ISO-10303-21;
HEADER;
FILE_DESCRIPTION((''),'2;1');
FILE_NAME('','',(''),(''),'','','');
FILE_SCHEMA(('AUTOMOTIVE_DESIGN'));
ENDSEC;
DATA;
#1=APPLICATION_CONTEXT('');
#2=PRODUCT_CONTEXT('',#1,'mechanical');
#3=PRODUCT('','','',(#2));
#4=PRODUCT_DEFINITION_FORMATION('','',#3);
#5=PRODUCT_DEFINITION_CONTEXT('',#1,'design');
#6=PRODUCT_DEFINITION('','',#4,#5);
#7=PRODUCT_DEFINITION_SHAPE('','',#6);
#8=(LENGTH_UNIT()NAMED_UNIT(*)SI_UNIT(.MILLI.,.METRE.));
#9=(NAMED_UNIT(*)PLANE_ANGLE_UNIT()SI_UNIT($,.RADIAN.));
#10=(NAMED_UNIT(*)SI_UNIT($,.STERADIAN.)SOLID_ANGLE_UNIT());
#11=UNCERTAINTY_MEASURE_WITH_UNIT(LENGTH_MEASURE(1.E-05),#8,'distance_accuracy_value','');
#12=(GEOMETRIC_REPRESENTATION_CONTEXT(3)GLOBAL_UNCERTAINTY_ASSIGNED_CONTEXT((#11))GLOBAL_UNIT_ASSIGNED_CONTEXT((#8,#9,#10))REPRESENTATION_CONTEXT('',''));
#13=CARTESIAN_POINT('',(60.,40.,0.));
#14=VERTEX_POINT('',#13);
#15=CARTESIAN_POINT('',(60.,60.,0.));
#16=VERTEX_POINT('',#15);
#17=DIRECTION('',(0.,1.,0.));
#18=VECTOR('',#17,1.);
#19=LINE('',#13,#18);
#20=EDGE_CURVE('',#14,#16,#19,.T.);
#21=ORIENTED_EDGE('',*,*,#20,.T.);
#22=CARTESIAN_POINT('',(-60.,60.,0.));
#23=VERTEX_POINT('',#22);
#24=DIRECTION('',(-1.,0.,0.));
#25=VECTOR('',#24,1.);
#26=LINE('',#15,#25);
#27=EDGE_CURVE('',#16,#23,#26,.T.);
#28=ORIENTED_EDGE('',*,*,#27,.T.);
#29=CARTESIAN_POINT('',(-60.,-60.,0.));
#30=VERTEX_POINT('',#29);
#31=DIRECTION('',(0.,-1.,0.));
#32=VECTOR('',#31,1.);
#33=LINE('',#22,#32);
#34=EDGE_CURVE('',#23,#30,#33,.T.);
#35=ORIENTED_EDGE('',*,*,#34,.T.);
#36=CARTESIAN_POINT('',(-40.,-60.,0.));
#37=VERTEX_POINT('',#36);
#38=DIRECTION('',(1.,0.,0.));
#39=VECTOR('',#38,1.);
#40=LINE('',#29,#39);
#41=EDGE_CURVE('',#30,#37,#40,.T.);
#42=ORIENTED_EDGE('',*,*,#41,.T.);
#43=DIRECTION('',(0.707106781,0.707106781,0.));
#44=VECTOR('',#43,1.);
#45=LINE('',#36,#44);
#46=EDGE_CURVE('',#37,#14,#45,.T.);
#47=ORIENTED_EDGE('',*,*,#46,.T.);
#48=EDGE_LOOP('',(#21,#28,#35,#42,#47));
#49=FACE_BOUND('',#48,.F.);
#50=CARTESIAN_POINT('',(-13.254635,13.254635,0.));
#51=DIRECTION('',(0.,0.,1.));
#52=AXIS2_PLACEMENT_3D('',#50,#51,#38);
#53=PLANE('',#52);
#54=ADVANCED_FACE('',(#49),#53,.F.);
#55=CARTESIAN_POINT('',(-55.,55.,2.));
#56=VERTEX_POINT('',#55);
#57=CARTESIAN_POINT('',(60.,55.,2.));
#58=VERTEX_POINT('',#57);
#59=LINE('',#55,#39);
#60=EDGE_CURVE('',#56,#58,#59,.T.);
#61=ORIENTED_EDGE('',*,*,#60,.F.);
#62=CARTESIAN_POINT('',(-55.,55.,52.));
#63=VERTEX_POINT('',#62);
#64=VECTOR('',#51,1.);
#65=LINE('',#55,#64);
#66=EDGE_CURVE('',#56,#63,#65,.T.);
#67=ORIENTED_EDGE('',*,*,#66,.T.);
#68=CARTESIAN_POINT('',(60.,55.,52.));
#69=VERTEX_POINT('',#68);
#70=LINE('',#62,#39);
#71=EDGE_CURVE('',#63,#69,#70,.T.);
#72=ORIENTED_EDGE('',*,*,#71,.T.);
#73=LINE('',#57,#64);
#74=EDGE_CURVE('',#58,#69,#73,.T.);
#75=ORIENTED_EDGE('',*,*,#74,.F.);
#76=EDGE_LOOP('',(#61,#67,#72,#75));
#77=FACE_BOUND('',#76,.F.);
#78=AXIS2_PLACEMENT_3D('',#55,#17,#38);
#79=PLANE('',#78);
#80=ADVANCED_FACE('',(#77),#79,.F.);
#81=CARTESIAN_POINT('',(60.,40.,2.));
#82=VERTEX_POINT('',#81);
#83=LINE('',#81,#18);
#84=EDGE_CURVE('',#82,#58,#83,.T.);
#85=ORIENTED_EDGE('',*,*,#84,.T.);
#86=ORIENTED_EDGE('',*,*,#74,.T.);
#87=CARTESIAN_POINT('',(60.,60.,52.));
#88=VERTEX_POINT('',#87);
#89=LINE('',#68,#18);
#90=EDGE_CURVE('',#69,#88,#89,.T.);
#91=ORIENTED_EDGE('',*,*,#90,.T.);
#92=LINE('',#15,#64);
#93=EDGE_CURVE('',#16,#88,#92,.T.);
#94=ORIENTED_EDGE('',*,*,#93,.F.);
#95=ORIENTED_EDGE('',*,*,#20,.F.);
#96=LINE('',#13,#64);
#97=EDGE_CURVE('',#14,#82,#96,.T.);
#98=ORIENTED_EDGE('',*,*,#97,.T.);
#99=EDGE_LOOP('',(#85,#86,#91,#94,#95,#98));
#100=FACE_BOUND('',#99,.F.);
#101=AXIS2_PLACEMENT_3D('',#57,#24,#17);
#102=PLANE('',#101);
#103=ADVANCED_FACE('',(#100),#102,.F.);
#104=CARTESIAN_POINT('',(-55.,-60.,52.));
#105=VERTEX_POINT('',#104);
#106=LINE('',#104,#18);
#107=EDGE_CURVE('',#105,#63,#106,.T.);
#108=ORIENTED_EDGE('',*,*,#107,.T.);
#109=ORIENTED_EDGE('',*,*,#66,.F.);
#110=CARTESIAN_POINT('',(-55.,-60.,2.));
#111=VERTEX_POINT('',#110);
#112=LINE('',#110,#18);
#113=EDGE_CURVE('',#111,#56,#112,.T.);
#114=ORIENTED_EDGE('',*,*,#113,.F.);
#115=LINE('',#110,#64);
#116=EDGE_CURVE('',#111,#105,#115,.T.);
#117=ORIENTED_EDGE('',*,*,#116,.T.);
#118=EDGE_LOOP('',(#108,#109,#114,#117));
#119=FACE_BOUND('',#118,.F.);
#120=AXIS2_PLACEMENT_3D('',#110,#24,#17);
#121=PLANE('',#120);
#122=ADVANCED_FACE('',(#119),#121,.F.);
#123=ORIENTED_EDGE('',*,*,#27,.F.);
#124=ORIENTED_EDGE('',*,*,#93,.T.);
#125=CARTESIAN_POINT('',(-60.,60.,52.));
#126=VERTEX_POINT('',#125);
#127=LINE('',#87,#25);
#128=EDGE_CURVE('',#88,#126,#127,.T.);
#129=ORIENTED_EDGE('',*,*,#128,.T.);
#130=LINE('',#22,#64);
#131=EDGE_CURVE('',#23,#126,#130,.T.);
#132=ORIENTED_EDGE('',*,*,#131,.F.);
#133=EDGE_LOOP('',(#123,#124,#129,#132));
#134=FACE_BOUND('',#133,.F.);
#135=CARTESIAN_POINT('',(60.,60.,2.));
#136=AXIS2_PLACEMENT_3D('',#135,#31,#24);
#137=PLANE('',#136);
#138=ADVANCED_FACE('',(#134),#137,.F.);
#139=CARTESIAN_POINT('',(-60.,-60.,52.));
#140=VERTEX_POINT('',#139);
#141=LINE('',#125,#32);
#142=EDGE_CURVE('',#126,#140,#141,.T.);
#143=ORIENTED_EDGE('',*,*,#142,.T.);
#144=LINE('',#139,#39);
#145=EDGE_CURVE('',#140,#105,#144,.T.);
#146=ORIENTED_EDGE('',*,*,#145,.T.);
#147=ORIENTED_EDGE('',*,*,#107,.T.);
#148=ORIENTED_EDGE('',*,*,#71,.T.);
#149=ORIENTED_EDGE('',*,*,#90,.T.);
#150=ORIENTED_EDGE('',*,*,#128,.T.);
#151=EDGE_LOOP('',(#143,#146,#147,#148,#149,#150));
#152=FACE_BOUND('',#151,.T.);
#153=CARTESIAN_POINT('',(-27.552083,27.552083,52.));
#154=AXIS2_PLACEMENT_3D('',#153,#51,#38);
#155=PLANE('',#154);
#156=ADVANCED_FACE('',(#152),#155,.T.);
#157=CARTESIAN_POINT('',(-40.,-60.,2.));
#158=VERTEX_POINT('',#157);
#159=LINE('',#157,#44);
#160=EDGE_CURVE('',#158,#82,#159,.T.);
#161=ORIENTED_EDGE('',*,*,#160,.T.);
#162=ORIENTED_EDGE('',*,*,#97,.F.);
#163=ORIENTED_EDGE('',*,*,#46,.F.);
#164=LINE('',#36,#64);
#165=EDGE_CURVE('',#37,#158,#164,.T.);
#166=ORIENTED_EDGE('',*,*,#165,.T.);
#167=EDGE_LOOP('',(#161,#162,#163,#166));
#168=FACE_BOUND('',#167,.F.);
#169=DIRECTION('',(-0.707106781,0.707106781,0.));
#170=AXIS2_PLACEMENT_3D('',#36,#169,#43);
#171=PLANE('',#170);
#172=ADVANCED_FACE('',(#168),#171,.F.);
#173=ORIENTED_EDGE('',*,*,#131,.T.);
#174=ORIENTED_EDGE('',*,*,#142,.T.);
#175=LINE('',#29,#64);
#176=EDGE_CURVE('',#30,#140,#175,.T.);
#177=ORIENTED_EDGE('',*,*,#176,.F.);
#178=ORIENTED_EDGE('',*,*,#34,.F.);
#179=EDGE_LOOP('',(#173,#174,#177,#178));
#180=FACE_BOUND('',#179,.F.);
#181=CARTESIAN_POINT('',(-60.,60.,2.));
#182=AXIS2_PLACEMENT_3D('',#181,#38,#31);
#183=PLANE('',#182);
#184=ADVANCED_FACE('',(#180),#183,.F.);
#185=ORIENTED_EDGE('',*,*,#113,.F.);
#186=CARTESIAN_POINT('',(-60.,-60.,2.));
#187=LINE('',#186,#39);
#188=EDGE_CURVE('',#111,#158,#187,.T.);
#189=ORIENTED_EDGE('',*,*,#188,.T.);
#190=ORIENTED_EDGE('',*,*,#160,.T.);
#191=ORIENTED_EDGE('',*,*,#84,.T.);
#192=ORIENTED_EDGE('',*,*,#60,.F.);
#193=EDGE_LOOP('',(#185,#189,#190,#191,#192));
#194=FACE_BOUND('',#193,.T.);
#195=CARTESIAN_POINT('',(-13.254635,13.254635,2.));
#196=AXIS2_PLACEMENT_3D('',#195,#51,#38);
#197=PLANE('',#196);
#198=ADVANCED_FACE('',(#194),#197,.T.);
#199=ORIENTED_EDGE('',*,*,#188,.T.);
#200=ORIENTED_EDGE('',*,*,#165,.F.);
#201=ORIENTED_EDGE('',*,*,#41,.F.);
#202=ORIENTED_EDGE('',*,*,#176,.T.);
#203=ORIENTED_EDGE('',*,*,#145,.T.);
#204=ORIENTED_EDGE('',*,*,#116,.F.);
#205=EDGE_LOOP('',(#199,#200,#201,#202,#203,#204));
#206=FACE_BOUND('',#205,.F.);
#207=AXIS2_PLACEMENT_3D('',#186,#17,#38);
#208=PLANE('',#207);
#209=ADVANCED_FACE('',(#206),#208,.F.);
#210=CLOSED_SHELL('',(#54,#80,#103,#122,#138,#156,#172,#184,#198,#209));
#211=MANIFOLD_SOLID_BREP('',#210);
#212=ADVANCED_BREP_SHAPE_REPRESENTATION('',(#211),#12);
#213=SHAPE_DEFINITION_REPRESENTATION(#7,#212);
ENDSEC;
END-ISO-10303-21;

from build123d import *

# Parameters (mm, degrees)
F1_DEPTH = 2
F3_DEPTH = 50


with BuildPart() as f1:
    # F0 (on Top) → F1 (new body)
    with BuildSketch(Plane.XY):
        Polygon((60, 60), (-60, 60), (-60, -60), (-40, -60), (60, 40), align=None)
    extrude(amount=F1_DEPTH)

    # F2 (on face) → F3 (join)
    with BuildSketch(Plane.XY.offset(2)):
        Polygon((60, 55), (60, 60), (-60, 60), (-60, 55), (-60, -60), (-55, -60), (-55, 55), align=None)
    extrude(amount=F3_DEPTH)


solid = f1.part
